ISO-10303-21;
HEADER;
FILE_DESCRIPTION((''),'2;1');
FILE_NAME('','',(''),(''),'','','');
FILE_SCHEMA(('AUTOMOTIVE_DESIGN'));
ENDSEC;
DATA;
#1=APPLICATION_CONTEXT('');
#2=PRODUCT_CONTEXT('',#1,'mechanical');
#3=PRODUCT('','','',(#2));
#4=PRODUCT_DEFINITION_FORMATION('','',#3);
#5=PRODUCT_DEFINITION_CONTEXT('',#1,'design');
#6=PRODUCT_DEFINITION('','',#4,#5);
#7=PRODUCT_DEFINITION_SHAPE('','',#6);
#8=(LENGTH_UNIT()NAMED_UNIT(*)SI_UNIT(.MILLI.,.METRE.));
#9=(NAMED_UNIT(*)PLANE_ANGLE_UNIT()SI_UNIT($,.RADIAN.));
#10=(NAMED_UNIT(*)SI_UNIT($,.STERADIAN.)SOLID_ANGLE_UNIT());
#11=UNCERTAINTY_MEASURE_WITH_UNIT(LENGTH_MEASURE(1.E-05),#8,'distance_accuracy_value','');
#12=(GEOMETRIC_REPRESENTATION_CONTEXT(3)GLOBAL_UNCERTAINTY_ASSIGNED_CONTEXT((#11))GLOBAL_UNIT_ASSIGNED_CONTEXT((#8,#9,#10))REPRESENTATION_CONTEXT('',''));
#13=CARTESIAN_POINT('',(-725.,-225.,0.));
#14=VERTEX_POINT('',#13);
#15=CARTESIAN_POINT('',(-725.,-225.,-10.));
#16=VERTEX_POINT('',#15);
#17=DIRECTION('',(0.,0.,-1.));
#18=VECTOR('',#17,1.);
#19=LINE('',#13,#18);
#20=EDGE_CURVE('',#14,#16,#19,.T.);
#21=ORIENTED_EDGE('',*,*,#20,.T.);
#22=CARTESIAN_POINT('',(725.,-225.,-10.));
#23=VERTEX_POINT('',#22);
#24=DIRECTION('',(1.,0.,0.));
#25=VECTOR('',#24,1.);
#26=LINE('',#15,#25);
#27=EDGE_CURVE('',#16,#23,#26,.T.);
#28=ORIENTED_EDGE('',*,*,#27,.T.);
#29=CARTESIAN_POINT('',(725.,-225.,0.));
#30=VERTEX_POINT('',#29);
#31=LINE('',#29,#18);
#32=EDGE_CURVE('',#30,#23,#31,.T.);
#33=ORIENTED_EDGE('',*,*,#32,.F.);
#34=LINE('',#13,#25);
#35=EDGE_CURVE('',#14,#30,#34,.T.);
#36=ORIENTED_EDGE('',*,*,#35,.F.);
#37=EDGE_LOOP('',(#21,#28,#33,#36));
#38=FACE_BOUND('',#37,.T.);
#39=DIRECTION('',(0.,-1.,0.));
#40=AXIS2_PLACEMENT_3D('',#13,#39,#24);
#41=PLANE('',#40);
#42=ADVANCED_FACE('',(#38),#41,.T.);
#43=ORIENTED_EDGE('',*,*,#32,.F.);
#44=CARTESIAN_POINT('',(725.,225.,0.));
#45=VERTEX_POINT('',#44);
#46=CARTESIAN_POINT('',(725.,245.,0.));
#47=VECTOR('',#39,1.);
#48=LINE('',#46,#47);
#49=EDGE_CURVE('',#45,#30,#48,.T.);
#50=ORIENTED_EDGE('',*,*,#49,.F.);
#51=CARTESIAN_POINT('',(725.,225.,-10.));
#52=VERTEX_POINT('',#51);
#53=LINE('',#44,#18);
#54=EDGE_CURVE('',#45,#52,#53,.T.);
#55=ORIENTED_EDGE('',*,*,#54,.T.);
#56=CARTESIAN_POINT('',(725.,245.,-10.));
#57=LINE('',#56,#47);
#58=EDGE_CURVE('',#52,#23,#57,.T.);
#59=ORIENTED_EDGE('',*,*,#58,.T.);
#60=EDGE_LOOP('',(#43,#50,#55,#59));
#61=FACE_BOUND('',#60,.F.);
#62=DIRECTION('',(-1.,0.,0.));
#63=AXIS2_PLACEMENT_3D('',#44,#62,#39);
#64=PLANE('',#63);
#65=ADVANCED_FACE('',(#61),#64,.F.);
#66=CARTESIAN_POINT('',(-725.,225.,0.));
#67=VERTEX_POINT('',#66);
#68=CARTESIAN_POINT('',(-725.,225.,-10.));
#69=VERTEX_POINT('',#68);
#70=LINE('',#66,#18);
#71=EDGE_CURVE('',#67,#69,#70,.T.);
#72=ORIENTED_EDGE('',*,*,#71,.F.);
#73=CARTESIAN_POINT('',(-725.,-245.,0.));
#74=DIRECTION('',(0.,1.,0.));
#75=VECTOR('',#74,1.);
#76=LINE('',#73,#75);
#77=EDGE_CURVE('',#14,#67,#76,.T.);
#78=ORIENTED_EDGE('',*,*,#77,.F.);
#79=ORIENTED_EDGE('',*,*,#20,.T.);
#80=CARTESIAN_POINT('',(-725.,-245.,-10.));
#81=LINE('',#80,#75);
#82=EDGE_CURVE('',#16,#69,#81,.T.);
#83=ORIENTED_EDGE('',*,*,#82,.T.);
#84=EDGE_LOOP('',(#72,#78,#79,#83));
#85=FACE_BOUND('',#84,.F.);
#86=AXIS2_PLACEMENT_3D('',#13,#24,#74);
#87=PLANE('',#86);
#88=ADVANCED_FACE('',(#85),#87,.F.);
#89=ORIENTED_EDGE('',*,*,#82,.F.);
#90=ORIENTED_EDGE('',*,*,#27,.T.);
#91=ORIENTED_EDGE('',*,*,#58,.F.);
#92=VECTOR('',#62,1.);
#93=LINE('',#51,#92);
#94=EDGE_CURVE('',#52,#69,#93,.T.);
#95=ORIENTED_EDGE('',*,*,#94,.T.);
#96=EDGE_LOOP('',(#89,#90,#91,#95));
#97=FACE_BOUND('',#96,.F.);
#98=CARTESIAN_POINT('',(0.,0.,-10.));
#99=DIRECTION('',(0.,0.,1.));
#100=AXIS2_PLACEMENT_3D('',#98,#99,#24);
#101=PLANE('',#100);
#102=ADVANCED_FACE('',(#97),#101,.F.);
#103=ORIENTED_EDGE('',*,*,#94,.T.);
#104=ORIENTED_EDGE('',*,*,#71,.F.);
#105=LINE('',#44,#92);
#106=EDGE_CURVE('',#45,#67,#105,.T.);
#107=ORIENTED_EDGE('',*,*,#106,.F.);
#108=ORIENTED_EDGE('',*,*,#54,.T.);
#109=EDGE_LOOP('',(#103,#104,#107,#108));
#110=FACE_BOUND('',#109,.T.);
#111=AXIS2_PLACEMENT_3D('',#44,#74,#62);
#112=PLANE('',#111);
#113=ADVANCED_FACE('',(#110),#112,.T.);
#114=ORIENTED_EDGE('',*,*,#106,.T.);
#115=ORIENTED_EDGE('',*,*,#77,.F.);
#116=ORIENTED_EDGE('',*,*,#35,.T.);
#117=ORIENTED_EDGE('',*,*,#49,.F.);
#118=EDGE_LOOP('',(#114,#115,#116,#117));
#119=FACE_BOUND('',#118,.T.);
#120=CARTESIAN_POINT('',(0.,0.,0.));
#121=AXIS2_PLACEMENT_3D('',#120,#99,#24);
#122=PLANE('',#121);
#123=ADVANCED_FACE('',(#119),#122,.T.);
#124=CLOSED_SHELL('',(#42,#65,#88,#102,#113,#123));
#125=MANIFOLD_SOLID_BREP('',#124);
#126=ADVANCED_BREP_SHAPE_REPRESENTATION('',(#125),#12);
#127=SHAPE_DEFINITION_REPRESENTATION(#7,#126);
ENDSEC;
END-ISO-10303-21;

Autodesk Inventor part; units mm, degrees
ref_plane "YZ Plane" through (0, 0, 0) normal (1, 0, 0) x (0, 1, 0)
ref_plane "XZ Plane" through (0, 0, 0) normal (0, 1, 0) x (-1, 0, 0)
ref_plane "XY Plane" through (0, 0, 0) normal (0, 0, 1) x (1, 0, 0)
sketch "Sketch1" plane through (0, 0, 0) normal (0, 0, 1) x (1, 0, 0)
  line L0 (-725, 245) -> (725, 245)
  line L1 (725, 245) -> (725, -245)
  line L2 (725, -245) -> (-725, -245)
  line L3 (-725, -245) -> (-725, 245)
  line L4 (-725, 245) -> (725, -245) construction
  line L5 (725, 245) -> (-725, -245) construction
  line L6 (725, 225) -> (-725, 225)
  line L7 (-725, -225) -> (725, -225)
  point P0 (0, 0)
  dimension "d0" = 1450
  dimension "d1" = 490
  dimension "d2" = 20
  dimension "d6" = 20
extrude "Extrusion1" add sketch "Sketch1" against normal blind 10 contours L6 L1 L7 L3
sketch3d "3D Sketch1"
equation "\"d6\" = d2"
equation "\"d8\" = d7"
equation "\"d9\" = d7"
equation "\"d10\" = d7"
equation "\"d11\" = d7"
equation "\"d7\" = 440"
properties part number "sketch-rack2"
